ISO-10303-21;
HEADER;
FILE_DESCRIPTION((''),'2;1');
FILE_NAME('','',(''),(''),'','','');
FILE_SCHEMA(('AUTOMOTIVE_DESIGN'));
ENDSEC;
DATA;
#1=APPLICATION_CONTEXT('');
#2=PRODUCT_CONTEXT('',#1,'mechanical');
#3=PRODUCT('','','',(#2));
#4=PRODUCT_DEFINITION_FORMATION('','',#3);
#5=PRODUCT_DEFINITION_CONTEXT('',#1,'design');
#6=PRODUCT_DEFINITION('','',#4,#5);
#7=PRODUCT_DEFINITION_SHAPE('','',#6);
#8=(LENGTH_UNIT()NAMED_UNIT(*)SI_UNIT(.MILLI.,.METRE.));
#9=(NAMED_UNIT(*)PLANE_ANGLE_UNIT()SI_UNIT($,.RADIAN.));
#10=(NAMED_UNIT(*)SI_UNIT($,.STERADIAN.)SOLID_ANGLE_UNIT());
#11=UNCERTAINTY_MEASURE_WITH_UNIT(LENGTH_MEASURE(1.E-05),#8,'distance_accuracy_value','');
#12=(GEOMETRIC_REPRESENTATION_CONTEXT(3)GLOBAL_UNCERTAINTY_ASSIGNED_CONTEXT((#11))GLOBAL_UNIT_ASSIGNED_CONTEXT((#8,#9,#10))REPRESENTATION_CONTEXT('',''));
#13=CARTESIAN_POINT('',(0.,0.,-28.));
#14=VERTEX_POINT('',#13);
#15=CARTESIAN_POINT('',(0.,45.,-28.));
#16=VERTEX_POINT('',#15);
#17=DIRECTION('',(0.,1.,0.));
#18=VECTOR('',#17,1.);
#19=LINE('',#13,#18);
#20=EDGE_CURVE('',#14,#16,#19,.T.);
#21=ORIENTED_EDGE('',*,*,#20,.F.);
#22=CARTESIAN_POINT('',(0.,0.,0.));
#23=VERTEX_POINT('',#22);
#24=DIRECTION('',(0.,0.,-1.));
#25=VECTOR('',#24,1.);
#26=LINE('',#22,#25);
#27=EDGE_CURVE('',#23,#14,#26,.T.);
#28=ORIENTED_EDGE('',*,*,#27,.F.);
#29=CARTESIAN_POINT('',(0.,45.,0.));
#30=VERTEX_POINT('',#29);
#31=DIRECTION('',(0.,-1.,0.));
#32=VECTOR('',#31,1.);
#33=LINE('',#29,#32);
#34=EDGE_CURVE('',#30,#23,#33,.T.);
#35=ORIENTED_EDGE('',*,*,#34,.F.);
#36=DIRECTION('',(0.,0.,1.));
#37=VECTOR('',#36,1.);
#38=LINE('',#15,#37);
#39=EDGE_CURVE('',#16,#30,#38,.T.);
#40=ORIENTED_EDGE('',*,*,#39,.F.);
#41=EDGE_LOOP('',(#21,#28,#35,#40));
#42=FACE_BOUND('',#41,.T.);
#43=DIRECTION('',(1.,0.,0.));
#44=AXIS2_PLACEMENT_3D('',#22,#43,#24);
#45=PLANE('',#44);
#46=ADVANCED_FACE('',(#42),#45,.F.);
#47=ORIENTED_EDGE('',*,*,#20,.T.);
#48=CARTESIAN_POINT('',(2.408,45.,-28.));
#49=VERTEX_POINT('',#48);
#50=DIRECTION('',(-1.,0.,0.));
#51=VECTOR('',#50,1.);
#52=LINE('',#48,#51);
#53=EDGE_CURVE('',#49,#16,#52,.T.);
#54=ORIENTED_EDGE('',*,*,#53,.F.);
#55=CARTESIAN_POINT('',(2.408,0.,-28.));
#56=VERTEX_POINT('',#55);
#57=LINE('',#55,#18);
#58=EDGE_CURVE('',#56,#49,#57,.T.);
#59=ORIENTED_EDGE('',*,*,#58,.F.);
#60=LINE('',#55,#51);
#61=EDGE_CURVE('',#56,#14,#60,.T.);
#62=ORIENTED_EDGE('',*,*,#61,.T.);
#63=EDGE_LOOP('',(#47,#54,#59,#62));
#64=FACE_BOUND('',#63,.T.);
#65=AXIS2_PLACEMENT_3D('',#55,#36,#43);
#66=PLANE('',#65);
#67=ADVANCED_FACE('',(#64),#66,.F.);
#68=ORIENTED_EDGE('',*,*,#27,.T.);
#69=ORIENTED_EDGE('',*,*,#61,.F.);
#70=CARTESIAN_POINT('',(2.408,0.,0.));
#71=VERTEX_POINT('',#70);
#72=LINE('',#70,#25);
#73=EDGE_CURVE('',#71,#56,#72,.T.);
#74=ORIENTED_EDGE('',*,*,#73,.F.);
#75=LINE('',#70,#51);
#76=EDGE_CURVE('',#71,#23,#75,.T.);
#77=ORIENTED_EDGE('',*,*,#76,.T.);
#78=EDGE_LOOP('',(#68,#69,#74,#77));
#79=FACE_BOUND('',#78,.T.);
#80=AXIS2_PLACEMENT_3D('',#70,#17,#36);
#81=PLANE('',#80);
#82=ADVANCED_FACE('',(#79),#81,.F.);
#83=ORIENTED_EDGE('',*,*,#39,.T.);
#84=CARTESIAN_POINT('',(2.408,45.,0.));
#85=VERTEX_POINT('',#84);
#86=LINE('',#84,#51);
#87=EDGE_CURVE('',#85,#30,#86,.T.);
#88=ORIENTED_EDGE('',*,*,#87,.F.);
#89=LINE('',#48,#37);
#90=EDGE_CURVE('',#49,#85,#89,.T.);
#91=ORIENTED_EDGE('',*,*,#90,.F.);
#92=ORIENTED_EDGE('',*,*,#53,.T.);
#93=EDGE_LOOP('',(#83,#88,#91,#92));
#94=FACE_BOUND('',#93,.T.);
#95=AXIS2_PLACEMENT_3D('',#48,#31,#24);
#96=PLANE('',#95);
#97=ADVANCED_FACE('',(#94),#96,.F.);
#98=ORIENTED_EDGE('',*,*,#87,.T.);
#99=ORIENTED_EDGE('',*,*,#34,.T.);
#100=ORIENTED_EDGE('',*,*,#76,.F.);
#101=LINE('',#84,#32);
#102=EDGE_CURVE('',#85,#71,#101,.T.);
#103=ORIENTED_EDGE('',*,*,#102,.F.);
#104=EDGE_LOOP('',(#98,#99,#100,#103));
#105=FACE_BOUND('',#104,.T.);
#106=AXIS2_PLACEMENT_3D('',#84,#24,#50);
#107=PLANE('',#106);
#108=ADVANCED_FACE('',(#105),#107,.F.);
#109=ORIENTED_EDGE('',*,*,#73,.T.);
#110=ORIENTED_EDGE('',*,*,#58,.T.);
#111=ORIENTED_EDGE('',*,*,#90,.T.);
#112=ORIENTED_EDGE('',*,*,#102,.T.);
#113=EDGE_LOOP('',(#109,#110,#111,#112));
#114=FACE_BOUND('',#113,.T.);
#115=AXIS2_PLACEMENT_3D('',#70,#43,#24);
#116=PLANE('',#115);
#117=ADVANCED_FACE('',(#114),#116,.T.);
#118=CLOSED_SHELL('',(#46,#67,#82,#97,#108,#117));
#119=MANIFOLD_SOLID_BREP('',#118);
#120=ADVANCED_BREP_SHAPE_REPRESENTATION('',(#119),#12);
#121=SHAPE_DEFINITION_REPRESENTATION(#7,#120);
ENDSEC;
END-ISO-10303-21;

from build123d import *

# Parameters (mm, degrees)
SKETCH_1_W      = 28
SKETCH_1_H      = 45
EXTRUDE_1_DEPTH = 2.408


with BuildPart() as part:
    # Эскиз1 → Вытянуть1 (new body)
    with BuildSketch(Plane(origin=(0, 0, 0), x_dir=(0, 0, -1), z_dir=(1, 0, 0))):
        with Locations((14, 22.5)):
            Rectangle(SKETCH_1_W, SKETCH_1_H)
    extrude(amount=EXTRUDE_1_DEPTH)


solid = part.part
